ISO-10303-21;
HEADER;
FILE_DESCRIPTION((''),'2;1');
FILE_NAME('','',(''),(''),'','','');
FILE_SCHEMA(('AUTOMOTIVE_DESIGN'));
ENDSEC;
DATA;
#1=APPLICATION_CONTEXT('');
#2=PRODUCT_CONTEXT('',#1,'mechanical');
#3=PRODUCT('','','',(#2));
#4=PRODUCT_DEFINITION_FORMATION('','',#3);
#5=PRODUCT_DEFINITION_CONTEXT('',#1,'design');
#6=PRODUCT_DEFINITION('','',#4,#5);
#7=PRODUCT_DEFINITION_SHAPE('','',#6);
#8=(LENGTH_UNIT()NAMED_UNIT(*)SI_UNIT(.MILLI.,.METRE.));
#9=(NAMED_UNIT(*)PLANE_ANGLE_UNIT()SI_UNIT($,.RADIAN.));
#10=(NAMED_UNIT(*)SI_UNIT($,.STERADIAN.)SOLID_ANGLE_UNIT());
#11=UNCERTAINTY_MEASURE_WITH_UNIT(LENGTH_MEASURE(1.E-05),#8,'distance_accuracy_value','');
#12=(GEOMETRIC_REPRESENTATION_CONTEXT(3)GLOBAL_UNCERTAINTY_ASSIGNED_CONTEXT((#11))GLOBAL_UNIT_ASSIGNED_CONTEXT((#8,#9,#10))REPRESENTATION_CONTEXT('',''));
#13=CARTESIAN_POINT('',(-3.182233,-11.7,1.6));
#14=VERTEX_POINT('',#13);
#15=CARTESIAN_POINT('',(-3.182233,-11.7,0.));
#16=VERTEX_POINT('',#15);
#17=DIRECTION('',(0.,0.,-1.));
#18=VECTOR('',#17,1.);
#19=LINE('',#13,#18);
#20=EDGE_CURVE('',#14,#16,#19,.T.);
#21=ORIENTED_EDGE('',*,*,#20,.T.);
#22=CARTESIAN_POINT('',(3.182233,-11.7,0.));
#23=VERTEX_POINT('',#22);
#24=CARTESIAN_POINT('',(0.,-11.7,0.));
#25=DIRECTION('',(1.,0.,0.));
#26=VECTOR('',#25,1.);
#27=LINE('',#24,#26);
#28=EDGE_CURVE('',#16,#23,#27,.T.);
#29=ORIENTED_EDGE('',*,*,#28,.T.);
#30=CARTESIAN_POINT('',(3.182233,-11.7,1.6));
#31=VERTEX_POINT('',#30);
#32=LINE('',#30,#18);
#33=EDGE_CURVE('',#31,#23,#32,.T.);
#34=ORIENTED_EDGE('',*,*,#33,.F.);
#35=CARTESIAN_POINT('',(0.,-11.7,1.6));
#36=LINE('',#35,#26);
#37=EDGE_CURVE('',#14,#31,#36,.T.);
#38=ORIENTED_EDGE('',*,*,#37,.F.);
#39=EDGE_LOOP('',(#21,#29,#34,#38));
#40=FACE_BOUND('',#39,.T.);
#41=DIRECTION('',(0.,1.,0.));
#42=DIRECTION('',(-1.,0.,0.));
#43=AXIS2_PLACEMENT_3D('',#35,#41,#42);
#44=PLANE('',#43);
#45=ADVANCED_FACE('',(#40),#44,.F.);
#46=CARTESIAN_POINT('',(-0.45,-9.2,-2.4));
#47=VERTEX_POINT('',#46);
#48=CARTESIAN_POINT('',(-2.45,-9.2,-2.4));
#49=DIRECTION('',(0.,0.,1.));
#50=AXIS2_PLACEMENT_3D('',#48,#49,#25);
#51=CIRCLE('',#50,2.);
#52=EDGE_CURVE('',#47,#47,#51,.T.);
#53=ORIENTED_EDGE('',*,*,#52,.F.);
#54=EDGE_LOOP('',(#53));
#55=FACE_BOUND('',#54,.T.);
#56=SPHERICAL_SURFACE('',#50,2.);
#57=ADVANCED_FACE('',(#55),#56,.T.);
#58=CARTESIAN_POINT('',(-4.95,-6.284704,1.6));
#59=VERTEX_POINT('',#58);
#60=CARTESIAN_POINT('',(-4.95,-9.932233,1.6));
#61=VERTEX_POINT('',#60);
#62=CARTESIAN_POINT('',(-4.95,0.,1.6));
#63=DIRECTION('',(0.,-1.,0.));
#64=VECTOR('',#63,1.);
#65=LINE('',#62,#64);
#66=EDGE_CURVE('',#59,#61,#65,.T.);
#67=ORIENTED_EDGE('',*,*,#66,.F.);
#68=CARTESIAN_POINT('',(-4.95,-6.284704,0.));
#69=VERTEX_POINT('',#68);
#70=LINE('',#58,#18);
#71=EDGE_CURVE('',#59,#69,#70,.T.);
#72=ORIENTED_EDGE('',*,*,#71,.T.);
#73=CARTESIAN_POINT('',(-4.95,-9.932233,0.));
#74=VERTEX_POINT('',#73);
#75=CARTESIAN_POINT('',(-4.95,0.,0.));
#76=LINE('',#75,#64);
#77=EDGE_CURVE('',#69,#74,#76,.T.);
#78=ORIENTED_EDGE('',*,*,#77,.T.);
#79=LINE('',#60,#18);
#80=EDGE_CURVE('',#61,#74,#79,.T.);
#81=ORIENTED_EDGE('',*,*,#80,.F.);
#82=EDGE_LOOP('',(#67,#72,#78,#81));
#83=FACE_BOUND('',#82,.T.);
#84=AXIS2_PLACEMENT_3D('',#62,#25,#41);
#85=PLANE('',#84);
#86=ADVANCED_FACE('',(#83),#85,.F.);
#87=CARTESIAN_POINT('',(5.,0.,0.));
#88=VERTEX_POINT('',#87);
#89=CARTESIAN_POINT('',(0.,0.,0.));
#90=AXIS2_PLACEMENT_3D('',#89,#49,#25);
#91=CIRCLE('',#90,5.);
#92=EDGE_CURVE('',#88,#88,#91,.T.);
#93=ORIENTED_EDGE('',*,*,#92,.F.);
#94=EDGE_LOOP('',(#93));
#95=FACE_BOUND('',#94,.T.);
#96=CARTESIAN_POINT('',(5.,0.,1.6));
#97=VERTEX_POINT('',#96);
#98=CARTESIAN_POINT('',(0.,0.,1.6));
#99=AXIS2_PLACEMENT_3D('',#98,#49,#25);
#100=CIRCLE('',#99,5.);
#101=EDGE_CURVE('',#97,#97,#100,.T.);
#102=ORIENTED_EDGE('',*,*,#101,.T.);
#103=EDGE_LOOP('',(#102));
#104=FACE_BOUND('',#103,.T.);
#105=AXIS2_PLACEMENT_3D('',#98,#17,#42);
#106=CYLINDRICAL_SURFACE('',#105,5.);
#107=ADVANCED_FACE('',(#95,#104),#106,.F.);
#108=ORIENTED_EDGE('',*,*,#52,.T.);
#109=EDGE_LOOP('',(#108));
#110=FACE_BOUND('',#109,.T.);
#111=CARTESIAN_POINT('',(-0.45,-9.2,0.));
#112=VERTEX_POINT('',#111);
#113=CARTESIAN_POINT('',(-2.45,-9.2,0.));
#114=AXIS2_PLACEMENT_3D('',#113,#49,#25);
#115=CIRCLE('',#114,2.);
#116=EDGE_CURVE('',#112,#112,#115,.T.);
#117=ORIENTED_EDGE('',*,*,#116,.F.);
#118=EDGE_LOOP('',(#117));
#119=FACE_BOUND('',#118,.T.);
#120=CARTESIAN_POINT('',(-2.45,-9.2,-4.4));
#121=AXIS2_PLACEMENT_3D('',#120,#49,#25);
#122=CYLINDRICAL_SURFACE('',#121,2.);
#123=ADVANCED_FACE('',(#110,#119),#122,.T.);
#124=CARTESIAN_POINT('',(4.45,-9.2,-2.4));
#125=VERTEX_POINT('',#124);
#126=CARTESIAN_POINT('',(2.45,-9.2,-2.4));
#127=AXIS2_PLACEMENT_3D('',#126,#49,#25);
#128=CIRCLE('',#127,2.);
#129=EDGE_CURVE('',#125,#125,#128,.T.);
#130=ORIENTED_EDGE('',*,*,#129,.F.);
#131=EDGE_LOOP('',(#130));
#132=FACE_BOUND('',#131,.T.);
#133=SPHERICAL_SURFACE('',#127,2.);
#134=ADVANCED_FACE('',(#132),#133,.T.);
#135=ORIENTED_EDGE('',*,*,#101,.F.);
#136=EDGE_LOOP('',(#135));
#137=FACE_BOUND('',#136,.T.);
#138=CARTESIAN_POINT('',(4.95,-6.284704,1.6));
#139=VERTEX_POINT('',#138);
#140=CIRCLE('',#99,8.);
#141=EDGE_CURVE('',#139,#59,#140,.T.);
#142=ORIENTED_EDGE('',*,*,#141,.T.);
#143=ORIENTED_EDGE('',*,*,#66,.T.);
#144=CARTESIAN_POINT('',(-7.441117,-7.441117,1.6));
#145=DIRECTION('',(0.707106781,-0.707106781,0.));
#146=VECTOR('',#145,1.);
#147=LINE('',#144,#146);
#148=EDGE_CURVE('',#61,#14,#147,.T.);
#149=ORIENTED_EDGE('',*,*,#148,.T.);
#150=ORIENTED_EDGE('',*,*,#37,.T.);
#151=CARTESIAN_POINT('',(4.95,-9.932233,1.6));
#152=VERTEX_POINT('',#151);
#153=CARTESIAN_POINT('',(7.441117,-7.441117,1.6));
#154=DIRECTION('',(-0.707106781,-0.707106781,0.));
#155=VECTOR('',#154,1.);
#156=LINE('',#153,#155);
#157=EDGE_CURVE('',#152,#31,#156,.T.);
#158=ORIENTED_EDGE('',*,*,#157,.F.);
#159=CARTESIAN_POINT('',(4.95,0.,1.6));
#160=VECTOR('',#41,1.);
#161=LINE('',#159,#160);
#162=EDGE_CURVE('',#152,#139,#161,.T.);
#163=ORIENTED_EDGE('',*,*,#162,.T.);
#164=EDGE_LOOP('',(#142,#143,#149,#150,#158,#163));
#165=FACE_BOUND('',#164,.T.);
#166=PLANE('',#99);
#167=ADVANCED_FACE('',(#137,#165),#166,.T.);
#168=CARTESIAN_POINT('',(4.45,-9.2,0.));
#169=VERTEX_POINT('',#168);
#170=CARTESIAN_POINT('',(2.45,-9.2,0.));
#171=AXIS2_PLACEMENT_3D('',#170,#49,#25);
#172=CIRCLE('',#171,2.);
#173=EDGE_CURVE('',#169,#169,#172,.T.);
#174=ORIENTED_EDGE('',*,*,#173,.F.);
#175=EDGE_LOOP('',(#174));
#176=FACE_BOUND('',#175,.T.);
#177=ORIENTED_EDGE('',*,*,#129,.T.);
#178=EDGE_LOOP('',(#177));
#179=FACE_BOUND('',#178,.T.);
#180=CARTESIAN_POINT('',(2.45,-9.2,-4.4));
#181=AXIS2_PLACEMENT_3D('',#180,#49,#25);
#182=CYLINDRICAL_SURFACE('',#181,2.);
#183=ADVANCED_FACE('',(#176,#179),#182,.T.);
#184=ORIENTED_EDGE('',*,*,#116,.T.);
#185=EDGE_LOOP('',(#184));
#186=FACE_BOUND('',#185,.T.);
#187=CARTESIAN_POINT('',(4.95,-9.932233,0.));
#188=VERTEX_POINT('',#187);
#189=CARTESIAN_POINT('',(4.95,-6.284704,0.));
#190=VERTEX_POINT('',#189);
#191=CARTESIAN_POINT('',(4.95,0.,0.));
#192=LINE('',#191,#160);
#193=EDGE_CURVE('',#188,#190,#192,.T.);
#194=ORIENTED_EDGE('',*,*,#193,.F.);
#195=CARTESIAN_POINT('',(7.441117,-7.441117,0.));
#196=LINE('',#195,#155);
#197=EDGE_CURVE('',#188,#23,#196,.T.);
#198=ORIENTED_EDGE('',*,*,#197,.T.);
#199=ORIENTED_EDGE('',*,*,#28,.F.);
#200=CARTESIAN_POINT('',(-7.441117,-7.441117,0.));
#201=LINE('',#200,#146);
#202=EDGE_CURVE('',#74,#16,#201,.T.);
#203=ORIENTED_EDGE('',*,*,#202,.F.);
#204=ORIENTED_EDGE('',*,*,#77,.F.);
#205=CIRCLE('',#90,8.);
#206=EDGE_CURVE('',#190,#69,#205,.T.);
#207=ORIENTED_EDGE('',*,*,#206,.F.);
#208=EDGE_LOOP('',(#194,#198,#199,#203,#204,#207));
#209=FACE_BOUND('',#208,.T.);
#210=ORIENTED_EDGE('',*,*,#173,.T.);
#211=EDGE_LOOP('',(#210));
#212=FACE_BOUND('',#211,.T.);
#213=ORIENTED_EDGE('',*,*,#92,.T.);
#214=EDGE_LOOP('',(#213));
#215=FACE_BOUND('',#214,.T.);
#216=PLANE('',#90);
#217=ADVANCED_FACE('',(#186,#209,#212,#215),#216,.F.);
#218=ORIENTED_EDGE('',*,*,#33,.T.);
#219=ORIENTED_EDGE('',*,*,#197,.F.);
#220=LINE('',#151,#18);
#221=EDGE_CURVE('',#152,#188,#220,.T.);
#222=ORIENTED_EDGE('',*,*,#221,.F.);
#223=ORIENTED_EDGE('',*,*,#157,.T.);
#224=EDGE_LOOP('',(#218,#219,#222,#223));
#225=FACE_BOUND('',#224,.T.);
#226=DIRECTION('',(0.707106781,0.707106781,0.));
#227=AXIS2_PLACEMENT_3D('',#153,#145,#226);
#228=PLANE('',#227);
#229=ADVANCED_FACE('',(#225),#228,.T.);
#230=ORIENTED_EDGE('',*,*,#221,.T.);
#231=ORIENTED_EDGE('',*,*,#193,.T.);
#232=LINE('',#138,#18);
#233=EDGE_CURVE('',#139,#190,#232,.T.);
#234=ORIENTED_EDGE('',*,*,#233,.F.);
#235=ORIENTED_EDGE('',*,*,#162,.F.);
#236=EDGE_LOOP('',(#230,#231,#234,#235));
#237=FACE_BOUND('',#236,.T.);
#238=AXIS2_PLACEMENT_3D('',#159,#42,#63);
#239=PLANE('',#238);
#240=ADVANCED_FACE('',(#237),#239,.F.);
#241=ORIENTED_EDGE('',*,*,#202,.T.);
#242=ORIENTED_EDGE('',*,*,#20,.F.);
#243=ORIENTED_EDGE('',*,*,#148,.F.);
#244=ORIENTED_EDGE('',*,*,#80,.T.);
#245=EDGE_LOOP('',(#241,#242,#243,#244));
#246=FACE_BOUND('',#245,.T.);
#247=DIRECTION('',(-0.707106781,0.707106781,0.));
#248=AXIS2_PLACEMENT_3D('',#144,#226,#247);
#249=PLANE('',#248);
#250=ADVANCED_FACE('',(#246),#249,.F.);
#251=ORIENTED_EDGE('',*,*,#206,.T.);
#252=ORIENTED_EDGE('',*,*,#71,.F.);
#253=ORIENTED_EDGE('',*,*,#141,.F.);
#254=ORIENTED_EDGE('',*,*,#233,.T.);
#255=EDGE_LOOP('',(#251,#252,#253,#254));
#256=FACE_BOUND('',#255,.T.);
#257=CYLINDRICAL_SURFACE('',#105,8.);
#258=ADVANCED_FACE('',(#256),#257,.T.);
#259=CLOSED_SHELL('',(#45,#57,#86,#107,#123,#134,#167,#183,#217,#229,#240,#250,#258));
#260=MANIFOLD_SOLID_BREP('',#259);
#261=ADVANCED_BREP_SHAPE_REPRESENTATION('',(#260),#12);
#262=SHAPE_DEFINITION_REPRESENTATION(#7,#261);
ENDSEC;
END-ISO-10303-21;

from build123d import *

# Parameters (mm, degrees)
SKETCH1_R           = 5
SKETCH1_R_2         = 2
BOSS_EXTRUDE1_DEPTH = 1.6
BOSS_EXTRUDE2_START = -6
SKETCH2_R           = 2
BOSS_EXTRUDE2_DEPTH = 6
FILLET1_R           = 2


with BuildPart() as part:
    # Sketch1 → Boss-Extrude1 (new body)
    with BuildSketch(Plane.XY):
        with BuildLine():
            Line((4.95, -9.932233047), (4.95, -6.284703653))
            ThreePointArc((4.95, -6.284703653), (0, 8), (-4.95, -6.284703653))
            Line((-4.95, -6.284703653), (-4.95, -9.932233047))
            Line((-4.95, -9.932233047), (-3.182233047, -11.7))
            Line((-3.182233047, -11.7), (3.182233047, -11.7))
            Line((3.182233047, -11.7), (4.95, -9.932233047))
        make_face()
        Circle(SKETCH1_R, mode=Mode.SUBTRACT)
        with Locations((2.45, -9.2)):
            Circle(SKETCH1_R_2, mode=Mode.SUBTRACT)
        with Locations((-2.45, -9.2)):
            Circle(SKETCH1_R_2, mode=Mode.SUBTRACT)
    extrude(amount=BOSS_EXTRUDE1_DEPTH)

    # Sketch2 → Boss-Extrude2 (add)
    with BuildSketch(Plane.XY.offset(1.6).offset(BOSS_EXTRUDE2_START)):
        with Locations((2.45, -9.2)):
            Circle(SKETCH2_R)
        with Locations((-2.45, -9.2)):
            Circle(SKETCH2_R)
    extrude(amount=BOSS_EXTRUDE2_DEPTH)

    # Fillet1
    fillet1_edges = [part.edges().sort_by_distance(p)[0] for p in [
        (-4.45, -9.2, -4.4),
        (0.45, -9.2, -4.4),
    ]]
    fillet(fillet1_edges, radius=FILLET1_R)


solid = part.part
